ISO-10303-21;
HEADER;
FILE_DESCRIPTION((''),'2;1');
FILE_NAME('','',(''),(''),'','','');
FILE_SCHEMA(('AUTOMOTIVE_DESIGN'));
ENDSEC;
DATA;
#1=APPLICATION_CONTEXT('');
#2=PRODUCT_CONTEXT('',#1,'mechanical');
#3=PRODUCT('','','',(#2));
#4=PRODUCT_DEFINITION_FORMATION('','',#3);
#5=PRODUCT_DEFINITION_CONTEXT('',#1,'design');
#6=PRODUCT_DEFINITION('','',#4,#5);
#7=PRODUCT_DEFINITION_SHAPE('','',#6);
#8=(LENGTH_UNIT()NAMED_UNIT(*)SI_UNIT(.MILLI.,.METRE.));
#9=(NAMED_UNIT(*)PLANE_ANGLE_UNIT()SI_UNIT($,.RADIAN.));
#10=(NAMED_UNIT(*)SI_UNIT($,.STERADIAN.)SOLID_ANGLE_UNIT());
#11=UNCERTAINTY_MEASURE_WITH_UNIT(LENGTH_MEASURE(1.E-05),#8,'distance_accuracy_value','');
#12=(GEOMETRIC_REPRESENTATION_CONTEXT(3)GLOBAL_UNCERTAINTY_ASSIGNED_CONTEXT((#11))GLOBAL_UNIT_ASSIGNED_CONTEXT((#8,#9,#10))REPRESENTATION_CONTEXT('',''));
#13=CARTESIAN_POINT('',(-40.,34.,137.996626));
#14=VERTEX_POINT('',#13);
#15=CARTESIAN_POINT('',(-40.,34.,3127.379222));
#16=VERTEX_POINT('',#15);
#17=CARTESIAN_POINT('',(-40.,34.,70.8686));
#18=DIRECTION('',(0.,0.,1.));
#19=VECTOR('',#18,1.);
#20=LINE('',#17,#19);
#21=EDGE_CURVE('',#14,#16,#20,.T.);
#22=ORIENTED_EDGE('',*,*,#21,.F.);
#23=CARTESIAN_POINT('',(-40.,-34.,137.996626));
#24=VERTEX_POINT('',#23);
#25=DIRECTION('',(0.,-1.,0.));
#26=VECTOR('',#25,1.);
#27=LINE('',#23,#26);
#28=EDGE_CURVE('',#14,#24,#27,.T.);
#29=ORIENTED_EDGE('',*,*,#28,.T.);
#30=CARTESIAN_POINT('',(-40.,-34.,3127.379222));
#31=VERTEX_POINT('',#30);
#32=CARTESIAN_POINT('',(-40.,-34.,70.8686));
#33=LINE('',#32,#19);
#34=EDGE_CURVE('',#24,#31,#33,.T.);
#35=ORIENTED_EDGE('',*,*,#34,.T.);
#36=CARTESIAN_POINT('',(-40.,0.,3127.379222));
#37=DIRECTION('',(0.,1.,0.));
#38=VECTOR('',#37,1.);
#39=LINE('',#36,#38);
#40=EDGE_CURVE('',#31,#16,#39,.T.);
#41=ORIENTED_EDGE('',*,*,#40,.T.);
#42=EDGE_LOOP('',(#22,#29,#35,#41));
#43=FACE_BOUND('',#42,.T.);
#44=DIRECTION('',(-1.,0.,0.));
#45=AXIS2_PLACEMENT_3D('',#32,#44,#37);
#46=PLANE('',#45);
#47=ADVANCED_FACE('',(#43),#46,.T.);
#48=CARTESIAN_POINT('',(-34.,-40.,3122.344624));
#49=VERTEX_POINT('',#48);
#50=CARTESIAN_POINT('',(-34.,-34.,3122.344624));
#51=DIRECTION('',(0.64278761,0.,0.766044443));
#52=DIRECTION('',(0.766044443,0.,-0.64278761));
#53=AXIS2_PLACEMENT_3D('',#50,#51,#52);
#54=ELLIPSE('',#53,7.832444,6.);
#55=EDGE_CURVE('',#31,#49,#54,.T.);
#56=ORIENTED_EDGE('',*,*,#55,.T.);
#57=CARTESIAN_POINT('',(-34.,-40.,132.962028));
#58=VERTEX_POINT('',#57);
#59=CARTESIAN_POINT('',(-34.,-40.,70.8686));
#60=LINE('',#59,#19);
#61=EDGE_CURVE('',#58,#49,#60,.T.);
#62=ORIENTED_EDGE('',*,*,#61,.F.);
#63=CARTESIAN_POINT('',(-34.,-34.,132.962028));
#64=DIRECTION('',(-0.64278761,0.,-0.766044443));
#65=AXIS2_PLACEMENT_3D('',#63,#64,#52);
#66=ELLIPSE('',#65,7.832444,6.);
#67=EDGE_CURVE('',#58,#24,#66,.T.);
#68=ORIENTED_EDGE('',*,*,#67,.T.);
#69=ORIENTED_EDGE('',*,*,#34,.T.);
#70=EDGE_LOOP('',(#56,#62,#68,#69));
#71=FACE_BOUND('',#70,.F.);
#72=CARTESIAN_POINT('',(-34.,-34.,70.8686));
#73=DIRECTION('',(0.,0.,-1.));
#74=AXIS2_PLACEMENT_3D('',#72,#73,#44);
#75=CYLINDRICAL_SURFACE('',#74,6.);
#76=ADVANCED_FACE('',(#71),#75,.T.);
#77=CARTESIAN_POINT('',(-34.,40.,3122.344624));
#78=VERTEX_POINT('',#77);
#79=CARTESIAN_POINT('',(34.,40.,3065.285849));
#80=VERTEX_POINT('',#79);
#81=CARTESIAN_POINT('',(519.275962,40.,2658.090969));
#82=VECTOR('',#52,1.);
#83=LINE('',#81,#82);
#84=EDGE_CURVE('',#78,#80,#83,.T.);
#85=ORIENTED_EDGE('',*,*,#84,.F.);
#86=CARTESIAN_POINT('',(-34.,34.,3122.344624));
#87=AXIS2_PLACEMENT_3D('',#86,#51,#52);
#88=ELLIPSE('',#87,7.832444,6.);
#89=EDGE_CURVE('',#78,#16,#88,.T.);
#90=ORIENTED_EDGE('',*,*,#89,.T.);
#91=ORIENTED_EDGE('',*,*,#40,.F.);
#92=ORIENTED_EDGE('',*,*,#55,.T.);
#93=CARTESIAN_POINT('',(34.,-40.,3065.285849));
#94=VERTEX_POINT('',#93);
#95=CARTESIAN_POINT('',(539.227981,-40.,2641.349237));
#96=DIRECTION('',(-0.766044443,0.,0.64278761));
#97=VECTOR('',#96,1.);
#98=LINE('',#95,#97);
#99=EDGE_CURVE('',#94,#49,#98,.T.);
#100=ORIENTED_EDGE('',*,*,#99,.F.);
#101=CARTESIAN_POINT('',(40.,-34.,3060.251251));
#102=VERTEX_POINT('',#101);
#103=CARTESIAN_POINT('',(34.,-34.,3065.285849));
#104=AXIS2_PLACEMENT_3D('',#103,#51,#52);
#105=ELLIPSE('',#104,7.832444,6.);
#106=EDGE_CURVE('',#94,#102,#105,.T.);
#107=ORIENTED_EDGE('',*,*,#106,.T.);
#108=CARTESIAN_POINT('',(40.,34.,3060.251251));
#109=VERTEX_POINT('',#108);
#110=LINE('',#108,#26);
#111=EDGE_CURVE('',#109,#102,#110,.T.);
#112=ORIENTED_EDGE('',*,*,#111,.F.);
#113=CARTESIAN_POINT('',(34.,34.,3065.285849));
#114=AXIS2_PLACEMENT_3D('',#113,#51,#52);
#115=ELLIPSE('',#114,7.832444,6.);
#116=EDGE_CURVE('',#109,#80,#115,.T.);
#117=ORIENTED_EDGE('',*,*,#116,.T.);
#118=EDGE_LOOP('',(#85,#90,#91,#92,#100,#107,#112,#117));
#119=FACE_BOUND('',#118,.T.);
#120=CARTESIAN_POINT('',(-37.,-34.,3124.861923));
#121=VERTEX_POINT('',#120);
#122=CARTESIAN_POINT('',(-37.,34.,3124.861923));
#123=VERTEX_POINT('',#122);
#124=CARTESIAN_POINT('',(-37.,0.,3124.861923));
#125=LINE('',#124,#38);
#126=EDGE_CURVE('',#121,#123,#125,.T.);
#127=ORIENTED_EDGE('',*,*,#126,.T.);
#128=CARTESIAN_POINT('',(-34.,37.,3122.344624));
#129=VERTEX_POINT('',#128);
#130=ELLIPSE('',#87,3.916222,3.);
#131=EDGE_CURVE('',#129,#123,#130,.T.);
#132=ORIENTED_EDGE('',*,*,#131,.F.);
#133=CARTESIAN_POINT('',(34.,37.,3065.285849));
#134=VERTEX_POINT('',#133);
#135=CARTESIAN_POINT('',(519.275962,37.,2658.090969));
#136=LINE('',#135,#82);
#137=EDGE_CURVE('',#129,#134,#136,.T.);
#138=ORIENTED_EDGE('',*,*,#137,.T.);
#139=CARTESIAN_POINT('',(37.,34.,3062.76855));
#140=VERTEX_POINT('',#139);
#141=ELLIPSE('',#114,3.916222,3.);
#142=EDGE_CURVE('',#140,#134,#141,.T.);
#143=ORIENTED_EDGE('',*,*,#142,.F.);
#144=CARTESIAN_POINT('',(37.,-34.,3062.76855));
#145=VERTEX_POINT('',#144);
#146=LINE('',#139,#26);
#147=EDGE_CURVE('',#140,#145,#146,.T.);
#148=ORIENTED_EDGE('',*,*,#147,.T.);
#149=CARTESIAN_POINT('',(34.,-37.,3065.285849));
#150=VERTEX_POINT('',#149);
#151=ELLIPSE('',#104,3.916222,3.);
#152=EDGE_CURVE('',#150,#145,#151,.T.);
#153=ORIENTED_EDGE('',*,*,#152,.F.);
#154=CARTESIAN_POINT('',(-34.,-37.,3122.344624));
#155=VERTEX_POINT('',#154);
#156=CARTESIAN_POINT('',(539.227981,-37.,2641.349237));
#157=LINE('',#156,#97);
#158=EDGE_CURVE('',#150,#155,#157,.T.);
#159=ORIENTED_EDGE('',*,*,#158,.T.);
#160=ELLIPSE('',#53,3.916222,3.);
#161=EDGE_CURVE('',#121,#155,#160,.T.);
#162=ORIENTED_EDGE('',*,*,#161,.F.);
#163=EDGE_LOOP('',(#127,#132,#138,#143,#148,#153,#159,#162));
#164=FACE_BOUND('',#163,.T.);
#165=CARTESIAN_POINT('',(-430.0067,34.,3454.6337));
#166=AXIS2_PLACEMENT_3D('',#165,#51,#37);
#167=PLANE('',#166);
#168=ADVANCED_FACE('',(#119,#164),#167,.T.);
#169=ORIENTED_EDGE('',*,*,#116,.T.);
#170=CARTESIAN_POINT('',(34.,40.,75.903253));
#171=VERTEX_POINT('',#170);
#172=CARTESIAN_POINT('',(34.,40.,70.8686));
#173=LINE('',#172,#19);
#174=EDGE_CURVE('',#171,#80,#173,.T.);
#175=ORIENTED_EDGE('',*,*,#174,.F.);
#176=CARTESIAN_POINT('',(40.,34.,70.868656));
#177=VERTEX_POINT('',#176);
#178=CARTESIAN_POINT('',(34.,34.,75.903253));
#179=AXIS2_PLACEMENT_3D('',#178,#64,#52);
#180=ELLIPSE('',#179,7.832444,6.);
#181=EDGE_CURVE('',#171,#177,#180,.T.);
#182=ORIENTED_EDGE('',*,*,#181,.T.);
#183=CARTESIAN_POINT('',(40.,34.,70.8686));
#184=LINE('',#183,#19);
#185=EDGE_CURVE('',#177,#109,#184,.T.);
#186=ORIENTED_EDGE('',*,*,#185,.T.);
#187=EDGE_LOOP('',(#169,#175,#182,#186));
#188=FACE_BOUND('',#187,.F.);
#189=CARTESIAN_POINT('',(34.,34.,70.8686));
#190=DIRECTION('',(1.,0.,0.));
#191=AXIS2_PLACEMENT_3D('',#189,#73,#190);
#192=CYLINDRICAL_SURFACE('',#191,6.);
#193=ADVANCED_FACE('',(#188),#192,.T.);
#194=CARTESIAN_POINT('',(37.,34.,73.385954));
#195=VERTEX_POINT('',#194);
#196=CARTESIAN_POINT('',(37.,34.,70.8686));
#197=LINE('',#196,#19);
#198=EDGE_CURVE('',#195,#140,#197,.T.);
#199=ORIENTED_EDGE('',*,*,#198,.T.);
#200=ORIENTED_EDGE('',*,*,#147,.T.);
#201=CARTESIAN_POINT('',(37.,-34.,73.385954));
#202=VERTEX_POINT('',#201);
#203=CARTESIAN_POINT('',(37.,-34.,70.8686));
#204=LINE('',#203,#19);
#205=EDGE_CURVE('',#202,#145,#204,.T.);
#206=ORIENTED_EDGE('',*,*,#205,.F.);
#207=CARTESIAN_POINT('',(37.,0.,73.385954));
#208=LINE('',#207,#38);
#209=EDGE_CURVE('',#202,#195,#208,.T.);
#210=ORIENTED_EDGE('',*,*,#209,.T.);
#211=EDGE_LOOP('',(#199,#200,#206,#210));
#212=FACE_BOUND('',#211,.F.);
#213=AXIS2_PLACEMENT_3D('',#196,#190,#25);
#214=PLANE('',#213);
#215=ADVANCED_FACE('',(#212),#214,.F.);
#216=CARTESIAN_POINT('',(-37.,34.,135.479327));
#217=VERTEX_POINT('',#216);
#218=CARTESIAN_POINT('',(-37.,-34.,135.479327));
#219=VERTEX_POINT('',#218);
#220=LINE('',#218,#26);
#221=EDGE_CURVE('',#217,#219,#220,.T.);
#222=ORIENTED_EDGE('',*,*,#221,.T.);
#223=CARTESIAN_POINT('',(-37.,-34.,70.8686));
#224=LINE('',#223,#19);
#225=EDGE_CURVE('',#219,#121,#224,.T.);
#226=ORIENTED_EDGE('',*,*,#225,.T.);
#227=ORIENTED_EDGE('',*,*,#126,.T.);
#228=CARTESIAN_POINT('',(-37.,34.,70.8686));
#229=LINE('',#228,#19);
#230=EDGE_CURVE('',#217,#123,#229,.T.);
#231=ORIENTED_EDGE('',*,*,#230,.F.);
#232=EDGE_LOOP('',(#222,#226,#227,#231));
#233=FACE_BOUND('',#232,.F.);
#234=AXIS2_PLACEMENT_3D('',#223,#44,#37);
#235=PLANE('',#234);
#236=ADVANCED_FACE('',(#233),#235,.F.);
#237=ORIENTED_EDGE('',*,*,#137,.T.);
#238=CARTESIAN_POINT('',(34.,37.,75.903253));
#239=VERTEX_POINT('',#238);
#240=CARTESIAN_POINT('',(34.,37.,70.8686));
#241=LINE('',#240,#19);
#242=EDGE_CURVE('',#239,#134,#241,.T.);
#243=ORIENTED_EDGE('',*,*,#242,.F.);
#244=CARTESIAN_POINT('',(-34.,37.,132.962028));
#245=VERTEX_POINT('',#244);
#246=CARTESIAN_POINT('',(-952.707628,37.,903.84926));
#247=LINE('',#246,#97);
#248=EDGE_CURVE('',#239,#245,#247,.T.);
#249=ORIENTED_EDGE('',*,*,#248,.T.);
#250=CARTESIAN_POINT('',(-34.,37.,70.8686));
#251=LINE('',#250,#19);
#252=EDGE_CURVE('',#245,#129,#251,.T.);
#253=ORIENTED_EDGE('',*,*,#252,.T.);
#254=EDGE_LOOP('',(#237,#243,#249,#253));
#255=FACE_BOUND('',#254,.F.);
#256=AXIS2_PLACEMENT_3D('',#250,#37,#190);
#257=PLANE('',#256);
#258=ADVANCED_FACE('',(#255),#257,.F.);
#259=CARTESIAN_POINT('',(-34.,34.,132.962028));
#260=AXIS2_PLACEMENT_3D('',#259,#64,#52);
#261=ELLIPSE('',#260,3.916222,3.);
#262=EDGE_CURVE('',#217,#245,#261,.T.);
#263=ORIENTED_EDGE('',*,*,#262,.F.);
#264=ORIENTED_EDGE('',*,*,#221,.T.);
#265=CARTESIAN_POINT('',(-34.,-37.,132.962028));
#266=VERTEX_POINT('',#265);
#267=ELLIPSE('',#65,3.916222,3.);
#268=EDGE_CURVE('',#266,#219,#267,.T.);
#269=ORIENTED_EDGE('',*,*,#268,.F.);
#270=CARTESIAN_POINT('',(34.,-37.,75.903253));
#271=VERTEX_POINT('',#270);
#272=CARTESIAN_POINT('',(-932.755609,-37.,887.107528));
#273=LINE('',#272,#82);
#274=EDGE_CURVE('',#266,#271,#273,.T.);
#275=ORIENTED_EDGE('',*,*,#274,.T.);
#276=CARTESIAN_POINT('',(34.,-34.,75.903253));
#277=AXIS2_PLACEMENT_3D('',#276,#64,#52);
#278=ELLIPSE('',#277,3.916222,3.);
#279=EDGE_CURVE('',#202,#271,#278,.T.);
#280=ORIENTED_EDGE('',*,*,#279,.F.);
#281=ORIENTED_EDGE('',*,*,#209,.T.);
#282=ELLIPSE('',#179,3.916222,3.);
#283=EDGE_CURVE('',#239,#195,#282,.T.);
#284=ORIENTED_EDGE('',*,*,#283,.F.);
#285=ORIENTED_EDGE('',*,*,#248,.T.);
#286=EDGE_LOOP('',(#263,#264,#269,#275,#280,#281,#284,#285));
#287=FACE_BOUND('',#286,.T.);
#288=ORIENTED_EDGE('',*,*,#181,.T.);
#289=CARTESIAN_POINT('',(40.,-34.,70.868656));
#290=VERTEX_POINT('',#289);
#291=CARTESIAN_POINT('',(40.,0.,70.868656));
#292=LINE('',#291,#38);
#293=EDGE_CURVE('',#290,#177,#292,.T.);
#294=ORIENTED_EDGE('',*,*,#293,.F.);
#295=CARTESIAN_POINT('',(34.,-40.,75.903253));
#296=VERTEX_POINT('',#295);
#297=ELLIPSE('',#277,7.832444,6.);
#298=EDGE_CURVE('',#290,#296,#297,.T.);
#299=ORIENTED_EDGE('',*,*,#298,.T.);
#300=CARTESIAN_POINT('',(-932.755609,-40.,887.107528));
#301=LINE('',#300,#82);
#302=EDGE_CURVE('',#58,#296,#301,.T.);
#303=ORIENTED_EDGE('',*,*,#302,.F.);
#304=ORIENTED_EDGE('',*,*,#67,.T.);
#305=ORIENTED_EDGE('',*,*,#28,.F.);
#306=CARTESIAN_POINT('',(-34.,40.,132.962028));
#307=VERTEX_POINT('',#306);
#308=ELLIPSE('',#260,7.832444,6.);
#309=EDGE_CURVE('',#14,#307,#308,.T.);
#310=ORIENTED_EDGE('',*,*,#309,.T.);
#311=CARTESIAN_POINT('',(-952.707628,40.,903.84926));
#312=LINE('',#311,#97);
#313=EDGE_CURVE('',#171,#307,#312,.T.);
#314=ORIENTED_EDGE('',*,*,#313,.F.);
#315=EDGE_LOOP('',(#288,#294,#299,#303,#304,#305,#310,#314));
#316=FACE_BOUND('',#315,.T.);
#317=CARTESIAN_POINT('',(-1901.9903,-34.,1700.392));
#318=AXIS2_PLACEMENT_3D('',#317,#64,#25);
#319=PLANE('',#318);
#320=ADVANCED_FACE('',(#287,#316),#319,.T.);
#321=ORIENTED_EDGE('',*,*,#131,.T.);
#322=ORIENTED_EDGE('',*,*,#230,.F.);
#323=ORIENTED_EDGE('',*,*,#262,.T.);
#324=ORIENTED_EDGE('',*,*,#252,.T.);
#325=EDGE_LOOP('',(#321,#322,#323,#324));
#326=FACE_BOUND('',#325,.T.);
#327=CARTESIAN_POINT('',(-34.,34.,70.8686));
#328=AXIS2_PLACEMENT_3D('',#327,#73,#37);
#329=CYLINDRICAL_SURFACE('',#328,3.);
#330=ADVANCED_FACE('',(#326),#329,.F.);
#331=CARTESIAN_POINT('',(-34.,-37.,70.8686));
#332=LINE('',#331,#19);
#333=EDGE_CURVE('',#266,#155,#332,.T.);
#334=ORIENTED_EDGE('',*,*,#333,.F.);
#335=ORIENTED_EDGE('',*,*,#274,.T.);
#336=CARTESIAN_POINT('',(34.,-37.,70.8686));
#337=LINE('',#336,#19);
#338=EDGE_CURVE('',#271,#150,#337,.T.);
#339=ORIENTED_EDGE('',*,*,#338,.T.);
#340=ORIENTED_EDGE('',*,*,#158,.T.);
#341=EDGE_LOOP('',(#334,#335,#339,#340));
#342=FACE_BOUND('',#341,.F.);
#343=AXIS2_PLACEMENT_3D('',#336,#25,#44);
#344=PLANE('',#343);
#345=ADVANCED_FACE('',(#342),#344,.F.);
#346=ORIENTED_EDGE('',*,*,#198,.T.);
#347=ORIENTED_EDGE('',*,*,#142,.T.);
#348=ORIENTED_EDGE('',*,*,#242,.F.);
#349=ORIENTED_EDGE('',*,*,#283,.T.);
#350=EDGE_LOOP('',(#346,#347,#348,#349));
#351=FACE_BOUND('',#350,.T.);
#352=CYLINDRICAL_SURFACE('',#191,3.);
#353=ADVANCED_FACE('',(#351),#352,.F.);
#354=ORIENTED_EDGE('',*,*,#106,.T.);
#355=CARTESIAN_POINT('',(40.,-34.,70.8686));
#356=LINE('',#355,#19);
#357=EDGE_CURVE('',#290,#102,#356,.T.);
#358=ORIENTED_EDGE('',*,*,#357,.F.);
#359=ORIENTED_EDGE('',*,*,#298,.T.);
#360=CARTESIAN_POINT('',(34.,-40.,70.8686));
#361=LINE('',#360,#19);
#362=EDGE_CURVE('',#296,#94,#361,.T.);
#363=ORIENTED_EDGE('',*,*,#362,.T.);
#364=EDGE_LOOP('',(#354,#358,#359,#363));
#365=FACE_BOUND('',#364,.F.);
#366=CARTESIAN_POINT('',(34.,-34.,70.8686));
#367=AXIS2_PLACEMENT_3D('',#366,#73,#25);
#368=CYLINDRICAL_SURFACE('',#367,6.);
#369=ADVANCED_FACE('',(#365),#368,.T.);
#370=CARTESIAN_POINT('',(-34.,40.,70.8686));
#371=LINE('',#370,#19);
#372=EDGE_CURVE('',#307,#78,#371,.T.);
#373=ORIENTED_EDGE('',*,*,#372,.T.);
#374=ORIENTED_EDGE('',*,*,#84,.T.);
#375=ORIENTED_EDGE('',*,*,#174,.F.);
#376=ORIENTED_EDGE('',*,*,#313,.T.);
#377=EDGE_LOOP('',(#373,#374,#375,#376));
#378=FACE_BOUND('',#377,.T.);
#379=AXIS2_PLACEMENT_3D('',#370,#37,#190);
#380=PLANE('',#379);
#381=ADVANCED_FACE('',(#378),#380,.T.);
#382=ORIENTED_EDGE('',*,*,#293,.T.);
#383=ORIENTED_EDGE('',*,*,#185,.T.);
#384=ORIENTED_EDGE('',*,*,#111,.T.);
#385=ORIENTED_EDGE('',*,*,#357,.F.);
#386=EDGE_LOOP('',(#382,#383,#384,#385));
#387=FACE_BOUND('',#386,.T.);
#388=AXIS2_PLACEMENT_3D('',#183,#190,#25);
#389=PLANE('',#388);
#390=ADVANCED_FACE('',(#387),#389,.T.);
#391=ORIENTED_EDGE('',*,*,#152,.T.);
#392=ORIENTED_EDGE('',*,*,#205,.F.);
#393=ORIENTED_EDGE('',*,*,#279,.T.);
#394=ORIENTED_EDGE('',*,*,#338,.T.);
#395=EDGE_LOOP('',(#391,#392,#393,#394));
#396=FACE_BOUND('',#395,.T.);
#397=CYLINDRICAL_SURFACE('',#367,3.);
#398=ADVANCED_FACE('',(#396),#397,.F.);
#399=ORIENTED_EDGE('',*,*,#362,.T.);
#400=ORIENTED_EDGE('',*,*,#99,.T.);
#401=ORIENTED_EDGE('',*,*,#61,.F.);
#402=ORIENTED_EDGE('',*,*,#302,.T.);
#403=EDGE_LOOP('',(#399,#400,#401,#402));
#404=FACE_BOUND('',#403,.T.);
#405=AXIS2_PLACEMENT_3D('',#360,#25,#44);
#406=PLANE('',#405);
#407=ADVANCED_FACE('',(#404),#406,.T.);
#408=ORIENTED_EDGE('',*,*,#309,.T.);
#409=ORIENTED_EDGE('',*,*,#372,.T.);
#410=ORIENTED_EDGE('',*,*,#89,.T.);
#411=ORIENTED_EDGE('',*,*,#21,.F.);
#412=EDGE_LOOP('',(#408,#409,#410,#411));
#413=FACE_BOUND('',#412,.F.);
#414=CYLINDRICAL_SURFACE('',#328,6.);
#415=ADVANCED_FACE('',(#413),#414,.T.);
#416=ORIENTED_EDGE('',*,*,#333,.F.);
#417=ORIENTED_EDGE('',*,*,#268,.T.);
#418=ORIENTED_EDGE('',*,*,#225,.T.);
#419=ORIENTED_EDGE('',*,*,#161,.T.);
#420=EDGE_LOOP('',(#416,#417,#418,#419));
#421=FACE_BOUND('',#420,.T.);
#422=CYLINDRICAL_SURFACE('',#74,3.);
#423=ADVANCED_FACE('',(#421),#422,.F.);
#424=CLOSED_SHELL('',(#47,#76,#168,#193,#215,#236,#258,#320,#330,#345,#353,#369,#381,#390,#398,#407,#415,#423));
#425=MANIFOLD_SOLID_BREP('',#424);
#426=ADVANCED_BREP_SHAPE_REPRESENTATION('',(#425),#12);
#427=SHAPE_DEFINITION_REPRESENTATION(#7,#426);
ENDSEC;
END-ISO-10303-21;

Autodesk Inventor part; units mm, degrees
ref_plane "Start Plane" through (0, 0, 70.8686) normal (0, 0, 1) x (1, 0, 0)
ref_plane "End Plane" through (0, 0, 3127.3793) normal (0, 0, 1) x (1, 0, 0)
sketch "Sketch" plane through (0, 0, 0) normal (0, 0, 1) x (1, 0, 0)
  line L0 (-40, -34) -> (-40, 34)
  line L1 (-34, 40) -> (34, 40)
  line L2 (40, 34) -> (40, -34)
  line L3 (34, -40) -> (-34, -40)
  arc A0 (-40, -34) -> (-34, -40) centre (-34, -34) ccw
  arc A1 (40, 34) -> (34, 40) centre (34, 34) ccw
  arc A2 (-34, 40) -> (-40, 34) centre (-34, 34) ccw
  arc A3 (34, -40) -> (40, -34) centre (34, -34) ccw
  arc A4 (-34, 37) -> (-37, 34) centre (-34, 34) ccw
  line L4 (-34, 37) -> (34, 37)
  arc A5 (37, 34) -> (34, 37) centre (34, 34) ccw
  line L5 (37, 34) -> (37, -34)
  arc A6 (34, -37) -> (37, -34) centre (34, -34) ccw
  line L6 (34, -37) -> (-34, -37)
  arc A7 (-37, -34) -> (-34, -37) centre (-34, -34) ccw
  line L7 (-37, -34) -> (-37, 34)
  line L8 (0, 57.7397) -> (0, -57.7397) construction
  line L9 (-57.7397, 0) -> (57.7397, 0) construction
  dimension "d7" = 6
  dimension "d9" = 80
  dimension "d11" = 80
  dimension "d12" = 3
  dimension "d15" = 40
  dimension "d16" = 40
extrude "Body" add sketch "Sketch" along normal up to surface (3056.5107 mm away) from surface at 70.8686
sketch "Sketch3" plane through (0, 0, 0) normal (0, 0, 1) x (1, 0, 0)
  line L0 (0, 0) -> (10, 0)
ref_plane "Work Plane3" through (0, 0, 0) normal (0, -1, 0) x (1, 0, 0)
ref_plane "Work Plane4" through (-1901.9903, -34, 1700.392) normal (-0.6428, 0, -0.766) x (-0.766, 0, 0.6428)
split "Split1" plane through (-1901.9903, -34, 1700.392) removes the side toward (-0.6428, 0, -0.766)
ref_plane "Work Plane5" through (-430.0067, 34, 3454.6337) normal (0.6428, 0, 0.766) x (0.766, 0, -0.6428)
split "Split2" plane through (-430.0067, 34, 3454.6337) removes the side toward (0.6428, 0, 0.766)
sketch "Sketch4" plane through (0, 0, 0) normal (0, -1, 0) x (1, 0, 0)
  line L0 (-2, 70.8686) -> (12, 70.8686) projected
  line L1 (-2, 3127.3793) -> (12, 3127.3793) projected
  dimension "d18" = 3056.5107
equation "\"d7\" = G_IR"
equation "\"d9\" = G_W"
equation "\"d11\" = G_H"
equation "\"d12\" = G_T"
equation "\"d15\" = 0.5 * d9"
equation "\"d16\" = 0.5 * d11"
equation "\"d3\" = G_L"
equation "\"G_W\" = 80"
equation "\"G_H\" = 80"
equation "\"G_T\" = 3"
equation "\"G_IR\" = 6"
equation "\"G_L\" = d18"
equation "\"G_OFFSET_START\" = -70.8686"
equation "\"G_OFFSET_END\" = -70.8686"
equation "\"d13\" = -G_OFFSET_START"
equation "\"d14\" = G_OFFSET_END + B_L"
equation "\"B_L\" = 3198.24786"
properties part number "ISO 10799-2 - 80x80x3 - 3056,51" material "Steel, Mild"
